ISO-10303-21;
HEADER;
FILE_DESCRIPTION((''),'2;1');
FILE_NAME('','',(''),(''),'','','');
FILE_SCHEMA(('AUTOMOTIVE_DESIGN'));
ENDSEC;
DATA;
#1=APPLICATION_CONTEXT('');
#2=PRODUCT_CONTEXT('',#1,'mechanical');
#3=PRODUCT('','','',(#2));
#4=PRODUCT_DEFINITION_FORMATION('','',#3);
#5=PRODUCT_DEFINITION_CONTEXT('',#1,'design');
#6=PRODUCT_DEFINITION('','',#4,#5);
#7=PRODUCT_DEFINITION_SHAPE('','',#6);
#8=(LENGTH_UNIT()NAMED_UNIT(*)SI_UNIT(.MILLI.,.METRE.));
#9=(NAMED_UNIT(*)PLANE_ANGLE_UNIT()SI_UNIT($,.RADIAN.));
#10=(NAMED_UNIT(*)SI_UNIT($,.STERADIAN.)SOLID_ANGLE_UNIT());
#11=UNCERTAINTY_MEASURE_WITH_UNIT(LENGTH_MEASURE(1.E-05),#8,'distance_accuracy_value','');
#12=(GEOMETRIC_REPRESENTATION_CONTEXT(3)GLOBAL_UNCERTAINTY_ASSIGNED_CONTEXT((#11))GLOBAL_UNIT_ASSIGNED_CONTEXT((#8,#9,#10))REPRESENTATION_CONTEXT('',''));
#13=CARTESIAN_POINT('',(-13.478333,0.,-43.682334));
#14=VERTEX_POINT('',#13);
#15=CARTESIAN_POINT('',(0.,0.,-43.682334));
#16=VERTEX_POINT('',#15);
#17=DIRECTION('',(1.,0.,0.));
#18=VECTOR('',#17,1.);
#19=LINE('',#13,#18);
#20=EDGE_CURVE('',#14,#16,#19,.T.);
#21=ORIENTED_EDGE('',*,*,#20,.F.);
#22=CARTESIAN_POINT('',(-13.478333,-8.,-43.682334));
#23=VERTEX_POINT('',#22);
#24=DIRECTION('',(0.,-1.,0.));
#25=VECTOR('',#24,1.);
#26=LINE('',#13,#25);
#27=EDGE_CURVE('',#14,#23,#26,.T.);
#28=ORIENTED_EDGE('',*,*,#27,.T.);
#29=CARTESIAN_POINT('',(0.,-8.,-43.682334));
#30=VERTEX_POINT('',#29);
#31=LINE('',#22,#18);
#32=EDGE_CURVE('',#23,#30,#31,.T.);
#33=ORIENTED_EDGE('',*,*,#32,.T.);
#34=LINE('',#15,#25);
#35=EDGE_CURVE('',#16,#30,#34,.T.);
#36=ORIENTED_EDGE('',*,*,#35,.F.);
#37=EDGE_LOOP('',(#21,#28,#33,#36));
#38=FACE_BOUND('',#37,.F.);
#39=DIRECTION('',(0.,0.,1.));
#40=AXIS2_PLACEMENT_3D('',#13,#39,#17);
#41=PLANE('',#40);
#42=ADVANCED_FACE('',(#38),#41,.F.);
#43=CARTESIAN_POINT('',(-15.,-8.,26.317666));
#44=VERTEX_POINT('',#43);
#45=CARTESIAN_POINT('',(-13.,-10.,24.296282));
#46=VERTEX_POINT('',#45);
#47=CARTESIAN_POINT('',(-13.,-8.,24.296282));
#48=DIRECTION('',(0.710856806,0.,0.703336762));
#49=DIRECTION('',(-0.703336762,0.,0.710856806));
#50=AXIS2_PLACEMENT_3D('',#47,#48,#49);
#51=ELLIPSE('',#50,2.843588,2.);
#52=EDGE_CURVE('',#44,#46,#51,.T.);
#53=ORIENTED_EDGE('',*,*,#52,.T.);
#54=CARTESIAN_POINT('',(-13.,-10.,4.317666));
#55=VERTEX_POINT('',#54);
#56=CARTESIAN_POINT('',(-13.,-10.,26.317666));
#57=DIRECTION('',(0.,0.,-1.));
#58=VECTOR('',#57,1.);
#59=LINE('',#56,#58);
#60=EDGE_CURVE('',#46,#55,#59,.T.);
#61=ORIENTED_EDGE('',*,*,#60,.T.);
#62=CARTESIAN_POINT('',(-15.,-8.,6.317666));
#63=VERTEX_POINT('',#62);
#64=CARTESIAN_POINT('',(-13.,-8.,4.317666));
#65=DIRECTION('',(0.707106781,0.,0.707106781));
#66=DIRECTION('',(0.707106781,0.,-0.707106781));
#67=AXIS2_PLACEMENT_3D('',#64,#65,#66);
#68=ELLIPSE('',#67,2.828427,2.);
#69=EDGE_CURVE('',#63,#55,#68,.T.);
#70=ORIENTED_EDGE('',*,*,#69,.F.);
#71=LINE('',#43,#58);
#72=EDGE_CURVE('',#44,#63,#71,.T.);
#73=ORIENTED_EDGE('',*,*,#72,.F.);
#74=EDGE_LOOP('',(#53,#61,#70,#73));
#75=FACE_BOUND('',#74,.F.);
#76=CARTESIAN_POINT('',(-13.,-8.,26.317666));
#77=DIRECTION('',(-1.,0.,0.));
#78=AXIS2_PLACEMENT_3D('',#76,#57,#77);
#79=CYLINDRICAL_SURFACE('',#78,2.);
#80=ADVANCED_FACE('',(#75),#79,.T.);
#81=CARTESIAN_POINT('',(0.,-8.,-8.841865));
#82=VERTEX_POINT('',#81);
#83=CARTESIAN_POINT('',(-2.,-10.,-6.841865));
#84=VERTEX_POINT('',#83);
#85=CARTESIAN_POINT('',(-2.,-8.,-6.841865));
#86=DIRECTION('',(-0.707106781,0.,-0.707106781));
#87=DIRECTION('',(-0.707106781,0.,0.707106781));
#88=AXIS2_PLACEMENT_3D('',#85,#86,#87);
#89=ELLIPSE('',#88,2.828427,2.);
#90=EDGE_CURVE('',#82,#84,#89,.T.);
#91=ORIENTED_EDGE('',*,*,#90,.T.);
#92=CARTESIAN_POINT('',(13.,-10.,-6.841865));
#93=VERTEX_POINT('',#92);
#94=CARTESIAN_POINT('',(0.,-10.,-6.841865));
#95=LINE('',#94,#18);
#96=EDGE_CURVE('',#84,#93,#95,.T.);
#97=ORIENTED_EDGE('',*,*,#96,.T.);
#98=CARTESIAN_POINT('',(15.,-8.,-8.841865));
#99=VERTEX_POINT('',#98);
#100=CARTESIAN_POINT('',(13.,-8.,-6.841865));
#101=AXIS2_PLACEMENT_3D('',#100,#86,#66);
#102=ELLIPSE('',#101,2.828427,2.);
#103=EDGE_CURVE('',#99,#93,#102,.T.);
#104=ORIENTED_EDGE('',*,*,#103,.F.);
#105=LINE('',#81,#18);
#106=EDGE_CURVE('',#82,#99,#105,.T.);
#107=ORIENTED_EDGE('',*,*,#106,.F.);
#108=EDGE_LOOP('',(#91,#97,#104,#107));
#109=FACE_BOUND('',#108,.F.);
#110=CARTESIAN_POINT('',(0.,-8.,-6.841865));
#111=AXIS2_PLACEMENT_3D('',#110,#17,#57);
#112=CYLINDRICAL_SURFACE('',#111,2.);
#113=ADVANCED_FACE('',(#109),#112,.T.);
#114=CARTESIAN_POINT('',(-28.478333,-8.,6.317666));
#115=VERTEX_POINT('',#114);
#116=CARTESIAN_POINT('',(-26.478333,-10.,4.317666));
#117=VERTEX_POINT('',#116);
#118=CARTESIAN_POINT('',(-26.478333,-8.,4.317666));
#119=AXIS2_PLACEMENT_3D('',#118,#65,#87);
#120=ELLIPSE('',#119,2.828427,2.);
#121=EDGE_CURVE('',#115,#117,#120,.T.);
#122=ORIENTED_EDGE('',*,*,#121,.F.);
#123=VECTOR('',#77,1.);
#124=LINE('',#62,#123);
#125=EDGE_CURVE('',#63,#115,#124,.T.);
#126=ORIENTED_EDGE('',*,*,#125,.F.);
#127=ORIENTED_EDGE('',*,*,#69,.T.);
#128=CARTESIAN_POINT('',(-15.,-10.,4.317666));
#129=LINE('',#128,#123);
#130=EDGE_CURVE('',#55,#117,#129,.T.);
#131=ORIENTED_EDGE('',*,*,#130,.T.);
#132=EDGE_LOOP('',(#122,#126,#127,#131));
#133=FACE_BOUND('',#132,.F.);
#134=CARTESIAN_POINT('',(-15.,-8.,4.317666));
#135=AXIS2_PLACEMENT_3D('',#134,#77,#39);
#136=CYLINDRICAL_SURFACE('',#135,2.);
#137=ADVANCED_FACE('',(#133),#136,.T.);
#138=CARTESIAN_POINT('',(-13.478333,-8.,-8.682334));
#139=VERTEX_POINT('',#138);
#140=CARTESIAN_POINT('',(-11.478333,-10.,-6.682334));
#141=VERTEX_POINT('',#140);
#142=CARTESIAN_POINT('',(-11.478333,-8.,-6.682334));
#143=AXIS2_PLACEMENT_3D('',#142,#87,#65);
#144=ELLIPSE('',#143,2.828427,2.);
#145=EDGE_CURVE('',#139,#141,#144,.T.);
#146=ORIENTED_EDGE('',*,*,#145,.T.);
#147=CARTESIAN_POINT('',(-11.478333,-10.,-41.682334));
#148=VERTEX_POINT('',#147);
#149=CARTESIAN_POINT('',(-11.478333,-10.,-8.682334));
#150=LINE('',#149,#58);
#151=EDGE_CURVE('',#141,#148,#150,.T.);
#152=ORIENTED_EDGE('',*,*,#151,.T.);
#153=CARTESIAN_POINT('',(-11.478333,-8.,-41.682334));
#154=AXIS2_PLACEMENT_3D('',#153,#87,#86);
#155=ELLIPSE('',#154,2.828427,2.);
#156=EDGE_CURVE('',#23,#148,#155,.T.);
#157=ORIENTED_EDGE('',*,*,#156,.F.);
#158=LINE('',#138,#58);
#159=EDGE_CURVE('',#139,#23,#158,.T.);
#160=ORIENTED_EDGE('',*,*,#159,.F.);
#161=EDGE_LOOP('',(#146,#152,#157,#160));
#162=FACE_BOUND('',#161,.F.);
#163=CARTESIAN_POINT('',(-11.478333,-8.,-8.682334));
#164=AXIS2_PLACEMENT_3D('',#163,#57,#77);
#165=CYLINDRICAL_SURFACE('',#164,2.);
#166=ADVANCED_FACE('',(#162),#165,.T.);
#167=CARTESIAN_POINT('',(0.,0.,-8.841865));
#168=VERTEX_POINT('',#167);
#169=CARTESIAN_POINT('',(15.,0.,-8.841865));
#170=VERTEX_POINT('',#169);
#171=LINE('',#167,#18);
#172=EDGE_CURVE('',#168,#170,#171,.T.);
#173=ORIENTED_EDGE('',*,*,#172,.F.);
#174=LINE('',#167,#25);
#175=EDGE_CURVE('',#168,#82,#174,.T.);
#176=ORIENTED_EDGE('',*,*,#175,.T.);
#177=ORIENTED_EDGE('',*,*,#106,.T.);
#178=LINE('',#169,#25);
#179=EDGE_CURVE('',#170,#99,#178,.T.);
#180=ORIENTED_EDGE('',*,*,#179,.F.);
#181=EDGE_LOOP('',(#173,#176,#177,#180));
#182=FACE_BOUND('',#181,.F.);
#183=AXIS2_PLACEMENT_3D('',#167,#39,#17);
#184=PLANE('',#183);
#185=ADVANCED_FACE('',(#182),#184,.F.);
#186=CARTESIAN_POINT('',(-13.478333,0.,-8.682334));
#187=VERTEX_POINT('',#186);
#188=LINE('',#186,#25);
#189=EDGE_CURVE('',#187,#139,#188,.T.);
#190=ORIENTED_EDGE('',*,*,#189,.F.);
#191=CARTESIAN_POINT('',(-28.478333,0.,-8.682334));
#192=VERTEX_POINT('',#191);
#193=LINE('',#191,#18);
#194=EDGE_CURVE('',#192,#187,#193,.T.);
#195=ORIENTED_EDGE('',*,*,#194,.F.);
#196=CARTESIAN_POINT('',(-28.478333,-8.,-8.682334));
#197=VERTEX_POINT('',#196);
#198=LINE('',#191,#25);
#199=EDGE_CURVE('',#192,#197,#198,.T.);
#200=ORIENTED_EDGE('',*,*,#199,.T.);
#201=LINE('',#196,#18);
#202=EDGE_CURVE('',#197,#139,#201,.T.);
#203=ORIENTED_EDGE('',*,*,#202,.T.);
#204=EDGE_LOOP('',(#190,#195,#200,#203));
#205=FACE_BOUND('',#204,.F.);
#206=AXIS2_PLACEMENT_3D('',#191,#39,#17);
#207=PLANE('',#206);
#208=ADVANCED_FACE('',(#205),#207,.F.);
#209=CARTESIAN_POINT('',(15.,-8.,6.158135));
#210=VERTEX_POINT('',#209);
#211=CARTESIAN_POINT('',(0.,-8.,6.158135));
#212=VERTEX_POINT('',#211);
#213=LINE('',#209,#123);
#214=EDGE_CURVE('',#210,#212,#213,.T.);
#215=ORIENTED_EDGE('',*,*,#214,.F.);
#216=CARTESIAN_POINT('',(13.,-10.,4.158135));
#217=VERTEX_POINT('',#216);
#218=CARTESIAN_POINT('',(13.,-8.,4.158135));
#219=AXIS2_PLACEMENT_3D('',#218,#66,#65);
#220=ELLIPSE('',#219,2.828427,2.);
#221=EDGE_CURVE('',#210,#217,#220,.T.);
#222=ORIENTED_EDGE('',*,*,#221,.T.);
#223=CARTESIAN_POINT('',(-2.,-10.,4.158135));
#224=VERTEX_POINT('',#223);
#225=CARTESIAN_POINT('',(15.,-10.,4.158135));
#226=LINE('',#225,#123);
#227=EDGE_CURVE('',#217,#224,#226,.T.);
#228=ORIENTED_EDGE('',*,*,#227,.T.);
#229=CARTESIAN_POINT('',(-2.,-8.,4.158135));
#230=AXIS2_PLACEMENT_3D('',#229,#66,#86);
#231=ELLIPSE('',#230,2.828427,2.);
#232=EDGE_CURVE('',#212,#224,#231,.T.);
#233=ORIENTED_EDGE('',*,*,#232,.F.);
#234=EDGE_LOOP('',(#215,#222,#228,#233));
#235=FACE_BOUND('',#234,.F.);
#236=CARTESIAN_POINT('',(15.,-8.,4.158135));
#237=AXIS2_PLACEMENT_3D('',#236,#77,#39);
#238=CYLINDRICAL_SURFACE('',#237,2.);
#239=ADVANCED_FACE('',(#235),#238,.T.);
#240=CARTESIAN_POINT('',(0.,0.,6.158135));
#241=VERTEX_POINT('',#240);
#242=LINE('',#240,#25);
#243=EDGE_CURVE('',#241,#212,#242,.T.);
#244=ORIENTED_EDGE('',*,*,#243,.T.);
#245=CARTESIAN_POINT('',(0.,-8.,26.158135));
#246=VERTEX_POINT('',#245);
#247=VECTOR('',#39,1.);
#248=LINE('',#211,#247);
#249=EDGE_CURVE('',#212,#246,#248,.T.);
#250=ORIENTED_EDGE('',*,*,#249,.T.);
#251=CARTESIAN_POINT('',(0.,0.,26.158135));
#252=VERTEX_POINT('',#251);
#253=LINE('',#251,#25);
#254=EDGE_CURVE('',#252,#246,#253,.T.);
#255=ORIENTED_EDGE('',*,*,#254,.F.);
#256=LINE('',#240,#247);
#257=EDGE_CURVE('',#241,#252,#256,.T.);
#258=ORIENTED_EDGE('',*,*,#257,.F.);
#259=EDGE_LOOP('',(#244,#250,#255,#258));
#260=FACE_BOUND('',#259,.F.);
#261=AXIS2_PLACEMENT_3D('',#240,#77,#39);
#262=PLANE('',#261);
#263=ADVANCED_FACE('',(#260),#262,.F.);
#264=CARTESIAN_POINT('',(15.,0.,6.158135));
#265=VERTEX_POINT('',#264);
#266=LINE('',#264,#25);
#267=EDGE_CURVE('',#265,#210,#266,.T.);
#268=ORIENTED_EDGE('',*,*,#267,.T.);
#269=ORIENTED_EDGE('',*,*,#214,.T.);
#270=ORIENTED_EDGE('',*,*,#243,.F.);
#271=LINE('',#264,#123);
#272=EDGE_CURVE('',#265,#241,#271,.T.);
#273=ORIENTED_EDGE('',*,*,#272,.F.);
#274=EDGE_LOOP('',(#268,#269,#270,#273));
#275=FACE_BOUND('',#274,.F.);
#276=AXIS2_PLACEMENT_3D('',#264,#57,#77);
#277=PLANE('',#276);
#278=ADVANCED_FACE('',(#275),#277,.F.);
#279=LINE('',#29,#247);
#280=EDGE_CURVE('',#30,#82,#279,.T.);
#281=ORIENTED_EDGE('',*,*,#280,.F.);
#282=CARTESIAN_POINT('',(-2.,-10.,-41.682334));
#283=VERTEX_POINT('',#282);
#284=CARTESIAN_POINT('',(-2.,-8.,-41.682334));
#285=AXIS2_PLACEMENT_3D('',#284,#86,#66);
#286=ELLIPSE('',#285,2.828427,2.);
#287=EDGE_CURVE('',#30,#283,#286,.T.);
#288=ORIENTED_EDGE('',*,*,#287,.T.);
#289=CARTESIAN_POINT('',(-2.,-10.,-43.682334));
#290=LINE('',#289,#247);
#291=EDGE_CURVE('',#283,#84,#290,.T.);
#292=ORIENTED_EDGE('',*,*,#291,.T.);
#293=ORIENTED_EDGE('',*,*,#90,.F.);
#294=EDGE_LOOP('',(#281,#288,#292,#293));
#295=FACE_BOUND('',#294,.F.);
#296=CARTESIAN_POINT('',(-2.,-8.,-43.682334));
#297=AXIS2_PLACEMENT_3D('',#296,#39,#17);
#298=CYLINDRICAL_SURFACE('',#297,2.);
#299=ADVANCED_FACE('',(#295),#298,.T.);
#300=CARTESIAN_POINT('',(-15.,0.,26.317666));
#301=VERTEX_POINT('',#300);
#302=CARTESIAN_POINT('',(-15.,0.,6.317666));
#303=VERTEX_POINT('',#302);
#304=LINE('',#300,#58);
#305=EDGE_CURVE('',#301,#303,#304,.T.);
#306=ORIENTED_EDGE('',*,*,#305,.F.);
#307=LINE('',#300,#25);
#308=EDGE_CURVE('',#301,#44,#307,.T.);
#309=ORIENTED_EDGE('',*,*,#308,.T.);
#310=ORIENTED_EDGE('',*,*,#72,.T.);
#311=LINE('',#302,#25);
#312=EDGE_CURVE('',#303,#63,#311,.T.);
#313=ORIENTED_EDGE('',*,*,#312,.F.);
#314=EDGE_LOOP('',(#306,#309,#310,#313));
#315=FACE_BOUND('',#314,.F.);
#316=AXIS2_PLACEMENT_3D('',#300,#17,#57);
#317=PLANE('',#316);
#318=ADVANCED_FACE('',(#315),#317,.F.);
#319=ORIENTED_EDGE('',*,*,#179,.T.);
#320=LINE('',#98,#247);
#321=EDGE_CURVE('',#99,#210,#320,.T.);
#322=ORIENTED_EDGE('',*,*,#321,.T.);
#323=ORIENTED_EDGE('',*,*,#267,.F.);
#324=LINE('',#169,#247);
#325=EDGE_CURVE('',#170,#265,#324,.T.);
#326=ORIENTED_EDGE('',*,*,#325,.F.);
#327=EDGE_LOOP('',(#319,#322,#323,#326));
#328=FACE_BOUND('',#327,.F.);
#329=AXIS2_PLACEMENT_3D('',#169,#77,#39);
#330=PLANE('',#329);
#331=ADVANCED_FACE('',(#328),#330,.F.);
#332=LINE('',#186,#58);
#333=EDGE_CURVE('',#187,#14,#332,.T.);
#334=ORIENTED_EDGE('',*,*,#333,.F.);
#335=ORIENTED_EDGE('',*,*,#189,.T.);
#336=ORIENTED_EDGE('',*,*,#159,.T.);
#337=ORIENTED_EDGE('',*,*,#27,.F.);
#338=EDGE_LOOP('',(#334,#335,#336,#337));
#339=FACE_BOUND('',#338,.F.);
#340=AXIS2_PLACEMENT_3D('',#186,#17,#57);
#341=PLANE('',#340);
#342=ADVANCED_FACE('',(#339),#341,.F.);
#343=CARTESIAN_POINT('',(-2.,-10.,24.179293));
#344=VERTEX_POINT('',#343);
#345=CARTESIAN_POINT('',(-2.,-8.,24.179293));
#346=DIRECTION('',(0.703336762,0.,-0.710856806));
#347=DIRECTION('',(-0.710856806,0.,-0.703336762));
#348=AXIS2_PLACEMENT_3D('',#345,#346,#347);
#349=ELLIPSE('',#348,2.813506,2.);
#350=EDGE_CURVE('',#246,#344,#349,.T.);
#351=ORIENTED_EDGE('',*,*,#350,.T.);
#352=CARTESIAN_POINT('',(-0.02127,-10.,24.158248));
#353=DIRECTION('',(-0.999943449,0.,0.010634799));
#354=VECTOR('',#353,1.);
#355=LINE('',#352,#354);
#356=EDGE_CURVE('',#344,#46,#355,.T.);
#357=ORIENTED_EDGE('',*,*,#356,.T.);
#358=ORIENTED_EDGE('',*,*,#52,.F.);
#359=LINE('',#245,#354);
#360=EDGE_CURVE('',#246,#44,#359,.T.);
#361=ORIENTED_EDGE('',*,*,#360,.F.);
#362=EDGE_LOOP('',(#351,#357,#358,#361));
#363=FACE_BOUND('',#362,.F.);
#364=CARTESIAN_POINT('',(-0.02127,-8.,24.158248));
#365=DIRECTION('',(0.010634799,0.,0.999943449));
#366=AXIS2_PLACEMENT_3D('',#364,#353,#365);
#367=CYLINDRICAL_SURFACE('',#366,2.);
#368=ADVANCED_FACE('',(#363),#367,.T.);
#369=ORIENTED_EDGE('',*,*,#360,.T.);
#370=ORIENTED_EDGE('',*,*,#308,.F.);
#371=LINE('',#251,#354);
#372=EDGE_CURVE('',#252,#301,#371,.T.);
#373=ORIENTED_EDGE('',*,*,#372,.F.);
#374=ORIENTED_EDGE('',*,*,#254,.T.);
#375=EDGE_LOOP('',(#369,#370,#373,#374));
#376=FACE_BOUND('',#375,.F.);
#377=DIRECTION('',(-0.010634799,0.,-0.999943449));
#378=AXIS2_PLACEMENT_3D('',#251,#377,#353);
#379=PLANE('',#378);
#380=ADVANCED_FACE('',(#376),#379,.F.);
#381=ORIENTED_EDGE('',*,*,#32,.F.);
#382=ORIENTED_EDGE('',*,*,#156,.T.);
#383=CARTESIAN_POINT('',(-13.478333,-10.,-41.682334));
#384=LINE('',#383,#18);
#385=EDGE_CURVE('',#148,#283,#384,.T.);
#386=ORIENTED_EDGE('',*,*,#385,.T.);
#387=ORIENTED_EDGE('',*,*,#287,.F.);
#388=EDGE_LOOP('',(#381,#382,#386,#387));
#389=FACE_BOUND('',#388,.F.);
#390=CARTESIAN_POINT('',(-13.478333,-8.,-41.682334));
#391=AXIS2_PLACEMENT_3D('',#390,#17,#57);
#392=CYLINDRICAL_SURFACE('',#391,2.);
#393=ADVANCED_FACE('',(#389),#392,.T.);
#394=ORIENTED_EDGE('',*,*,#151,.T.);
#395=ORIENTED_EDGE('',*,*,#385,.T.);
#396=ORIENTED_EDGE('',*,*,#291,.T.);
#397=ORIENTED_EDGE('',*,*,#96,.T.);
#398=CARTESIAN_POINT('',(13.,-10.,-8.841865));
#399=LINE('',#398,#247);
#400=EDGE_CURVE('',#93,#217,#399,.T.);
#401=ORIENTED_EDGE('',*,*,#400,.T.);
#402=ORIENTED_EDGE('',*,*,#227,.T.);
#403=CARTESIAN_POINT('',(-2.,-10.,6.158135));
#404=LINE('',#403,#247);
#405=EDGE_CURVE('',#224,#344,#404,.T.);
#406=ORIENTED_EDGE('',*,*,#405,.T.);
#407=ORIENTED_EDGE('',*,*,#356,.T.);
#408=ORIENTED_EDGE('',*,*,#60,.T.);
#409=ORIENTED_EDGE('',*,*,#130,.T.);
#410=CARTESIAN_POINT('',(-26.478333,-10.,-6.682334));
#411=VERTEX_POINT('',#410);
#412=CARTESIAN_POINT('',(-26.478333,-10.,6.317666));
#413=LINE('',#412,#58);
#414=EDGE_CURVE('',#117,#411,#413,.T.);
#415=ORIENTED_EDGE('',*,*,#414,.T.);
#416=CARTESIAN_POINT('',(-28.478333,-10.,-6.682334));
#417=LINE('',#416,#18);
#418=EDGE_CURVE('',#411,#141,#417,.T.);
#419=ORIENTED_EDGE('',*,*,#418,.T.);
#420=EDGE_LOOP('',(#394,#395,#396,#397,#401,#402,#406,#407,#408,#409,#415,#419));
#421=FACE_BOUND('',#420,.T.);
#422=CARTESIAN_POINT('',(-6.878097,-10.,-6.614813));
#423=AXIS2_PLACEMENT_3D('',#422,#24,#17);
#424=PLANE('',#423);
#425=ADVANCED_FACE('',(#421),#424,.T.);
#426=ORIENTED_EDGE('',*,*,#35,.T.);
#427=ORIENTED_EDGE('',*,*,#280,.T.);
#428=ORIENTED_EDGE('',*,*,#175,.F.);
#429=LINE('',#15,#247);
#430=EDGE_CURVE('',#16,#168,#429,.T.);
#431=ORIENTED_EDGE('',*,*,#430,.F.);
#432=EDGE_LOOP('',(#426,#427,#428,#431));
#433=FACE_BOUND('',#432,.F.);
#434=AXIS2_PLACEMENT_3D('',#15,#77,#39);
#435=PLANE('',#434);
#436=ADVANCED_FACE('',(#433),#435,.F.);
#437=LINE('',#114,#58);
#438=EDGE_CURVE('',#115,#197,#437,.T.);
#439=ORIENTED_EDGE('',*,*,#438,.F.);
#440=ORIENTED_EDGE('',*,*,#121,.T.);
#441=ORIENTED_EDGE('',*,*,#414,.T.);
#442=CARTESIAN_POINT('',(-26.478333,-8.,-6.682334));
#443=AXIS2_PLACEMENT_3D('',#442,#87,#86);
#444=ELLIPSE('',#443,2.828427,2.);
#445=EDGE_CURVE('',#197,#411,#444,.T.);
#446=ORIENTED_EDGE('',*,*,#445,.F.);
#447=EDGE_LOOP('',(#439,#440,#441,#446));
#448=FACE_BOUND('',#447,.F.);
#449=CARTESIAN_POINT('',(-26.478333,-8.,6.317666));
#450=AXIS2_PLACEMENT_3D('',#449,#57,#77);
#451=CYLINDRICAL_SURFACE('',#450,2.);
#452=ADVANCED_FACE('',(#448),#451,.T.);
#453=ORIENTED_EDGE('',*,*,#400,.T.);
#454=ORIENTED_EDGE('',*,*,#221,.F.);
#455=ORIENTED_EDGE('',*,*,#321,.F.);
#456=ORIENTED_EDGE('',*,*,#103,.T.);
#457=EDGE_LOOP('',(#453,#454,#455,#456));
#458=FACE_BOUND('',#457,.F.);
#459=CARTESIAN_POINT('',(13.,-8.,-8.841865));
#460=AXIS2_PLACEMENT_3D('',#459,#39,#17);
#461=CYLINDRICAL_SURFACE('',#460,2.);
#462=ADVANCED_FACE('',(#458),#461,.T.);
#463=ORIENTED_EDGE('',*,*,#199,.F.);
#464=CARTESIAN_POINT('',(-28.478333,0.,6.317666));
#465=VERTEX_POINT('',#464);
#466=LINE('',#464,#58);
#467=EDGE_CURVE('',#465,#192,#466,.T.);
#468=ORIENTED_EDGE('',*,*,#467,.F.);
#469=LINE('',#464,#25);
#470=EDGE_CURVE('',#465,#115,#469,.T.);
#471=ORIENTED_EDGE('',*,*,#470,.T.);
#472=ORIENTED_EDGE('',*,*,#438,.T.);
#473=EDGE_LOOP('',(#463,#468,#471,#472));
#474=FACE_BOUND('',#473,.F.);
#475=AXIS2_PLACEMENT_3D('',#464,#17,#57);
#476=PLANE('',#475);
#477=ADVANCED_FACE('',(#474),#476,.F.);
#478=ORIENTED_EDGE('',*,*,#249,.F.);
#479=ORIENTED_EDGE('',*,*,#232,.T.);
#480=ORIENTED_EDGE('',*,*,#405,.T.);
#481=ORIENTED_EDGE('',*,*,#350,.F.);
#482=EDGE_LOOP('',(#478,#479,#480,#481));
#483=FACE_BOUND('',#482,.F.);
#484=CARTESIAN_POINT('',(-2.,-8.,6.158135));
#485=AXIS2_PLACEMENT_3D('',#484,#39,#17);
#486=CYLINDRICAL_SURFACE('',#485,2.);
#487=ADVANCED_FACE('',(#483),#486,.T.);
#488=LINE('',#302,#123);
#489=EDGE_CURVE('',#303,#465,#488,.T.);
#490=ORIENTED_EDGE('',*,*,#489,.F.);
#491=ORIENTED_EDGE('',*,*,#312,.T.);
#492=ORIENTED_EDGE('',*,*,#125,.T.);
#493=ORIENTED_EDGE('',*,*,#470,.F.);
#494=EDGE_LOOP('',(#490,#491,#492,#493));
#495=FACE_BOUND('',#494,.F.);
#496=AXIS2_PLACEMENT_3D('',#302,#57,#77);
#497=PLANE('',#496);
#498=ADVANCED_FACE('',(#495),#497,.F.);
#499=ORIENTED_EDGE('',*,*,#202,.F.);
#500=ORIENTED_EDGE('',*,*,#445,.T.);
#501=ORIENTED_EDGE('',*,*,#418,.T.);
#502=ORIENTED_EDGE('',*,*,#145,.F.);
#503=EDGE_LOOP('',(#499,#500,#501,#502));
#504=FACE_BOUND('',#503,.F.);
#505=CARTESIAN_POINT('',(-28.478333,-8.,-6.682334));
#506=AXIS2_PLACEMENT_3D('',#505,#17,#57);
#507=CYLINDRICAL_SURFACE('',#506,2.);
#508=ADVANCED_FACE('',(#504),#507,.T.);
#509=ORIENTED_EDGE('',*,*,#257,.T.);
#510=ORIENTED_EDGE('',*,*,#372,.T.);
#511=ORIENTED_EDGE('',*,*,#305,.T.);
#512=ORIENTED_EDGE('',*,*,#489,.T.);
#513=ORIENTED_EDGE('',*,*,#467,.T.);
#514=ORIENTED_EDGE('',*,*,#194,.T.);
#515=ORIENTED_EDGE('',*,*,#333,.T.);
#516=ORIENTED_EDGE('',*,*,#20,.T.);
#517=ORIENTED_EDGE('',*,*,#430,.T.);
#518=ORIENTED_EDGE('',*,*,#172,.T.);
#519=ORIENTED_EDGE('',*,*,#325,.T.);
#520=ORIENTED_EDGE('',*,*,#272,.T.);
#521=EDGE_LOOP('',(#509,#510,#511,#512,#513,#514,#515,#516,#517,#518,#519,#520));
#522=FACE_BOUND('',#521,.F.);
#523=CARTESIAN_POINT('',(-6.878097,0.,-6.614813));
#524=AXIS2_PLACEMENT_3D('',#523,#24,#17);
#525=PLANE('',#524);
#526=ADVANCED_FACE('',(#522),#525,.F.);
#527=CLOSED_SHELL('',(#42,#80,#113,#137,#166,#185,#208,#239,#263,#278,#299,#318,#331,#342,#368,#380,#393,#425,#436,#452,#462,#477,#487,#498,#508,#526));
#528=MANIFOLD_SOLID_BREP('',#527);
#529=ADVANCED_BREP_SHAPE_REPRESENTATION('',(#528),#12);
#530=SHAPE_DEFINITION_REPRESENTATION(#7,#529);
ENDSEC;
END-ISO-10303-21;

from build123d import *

# Parameters (mm, degrees)
F1_DEPTH = 10
F2_R     = 2


with BuildPart() as f1:
    # F0 (on Front) → F1 (new body)
    with BuildSketch(Plane.XZ):
        Polygon((0, 26.158135), (-15, 26.317666), (-15, 6.317666), (-28.478333, 6.317666), (-28.478333, -8.682334), (-13.478333, -8.682334), (-13.478333, -43.682334), (0, -43.682334), (0, -8.841865), (15, -8.841865), (15, 6.158135), (0, 6.158135), align=None)
    extrude(amount=F1_DEPTH)

    # F2
    f2_edges = [f1.edges().sort_by_distance(p)[0] for p in [
        (-7.5, -10, 26.237901),
        (-15, -10, 16.317666),
        (-21.739167, -10, 6.317666),
        (-28.478333, -10, -1.182334),
        (-20.978333, -10, -8.682334),
        (-13.478333, -10, -26.182334),
        (-6.739167, -10, -43.682334),
        (0, -10, -26.262099),
        (7.5, -10, -8.841865),
        (15, -10, -1.341865),
        (7.5, -10, 6.158135),
        (0, -10, 16.158135),
    ]]
    fillet(f2_edges, radius=F2_R)


solid = f1.part
